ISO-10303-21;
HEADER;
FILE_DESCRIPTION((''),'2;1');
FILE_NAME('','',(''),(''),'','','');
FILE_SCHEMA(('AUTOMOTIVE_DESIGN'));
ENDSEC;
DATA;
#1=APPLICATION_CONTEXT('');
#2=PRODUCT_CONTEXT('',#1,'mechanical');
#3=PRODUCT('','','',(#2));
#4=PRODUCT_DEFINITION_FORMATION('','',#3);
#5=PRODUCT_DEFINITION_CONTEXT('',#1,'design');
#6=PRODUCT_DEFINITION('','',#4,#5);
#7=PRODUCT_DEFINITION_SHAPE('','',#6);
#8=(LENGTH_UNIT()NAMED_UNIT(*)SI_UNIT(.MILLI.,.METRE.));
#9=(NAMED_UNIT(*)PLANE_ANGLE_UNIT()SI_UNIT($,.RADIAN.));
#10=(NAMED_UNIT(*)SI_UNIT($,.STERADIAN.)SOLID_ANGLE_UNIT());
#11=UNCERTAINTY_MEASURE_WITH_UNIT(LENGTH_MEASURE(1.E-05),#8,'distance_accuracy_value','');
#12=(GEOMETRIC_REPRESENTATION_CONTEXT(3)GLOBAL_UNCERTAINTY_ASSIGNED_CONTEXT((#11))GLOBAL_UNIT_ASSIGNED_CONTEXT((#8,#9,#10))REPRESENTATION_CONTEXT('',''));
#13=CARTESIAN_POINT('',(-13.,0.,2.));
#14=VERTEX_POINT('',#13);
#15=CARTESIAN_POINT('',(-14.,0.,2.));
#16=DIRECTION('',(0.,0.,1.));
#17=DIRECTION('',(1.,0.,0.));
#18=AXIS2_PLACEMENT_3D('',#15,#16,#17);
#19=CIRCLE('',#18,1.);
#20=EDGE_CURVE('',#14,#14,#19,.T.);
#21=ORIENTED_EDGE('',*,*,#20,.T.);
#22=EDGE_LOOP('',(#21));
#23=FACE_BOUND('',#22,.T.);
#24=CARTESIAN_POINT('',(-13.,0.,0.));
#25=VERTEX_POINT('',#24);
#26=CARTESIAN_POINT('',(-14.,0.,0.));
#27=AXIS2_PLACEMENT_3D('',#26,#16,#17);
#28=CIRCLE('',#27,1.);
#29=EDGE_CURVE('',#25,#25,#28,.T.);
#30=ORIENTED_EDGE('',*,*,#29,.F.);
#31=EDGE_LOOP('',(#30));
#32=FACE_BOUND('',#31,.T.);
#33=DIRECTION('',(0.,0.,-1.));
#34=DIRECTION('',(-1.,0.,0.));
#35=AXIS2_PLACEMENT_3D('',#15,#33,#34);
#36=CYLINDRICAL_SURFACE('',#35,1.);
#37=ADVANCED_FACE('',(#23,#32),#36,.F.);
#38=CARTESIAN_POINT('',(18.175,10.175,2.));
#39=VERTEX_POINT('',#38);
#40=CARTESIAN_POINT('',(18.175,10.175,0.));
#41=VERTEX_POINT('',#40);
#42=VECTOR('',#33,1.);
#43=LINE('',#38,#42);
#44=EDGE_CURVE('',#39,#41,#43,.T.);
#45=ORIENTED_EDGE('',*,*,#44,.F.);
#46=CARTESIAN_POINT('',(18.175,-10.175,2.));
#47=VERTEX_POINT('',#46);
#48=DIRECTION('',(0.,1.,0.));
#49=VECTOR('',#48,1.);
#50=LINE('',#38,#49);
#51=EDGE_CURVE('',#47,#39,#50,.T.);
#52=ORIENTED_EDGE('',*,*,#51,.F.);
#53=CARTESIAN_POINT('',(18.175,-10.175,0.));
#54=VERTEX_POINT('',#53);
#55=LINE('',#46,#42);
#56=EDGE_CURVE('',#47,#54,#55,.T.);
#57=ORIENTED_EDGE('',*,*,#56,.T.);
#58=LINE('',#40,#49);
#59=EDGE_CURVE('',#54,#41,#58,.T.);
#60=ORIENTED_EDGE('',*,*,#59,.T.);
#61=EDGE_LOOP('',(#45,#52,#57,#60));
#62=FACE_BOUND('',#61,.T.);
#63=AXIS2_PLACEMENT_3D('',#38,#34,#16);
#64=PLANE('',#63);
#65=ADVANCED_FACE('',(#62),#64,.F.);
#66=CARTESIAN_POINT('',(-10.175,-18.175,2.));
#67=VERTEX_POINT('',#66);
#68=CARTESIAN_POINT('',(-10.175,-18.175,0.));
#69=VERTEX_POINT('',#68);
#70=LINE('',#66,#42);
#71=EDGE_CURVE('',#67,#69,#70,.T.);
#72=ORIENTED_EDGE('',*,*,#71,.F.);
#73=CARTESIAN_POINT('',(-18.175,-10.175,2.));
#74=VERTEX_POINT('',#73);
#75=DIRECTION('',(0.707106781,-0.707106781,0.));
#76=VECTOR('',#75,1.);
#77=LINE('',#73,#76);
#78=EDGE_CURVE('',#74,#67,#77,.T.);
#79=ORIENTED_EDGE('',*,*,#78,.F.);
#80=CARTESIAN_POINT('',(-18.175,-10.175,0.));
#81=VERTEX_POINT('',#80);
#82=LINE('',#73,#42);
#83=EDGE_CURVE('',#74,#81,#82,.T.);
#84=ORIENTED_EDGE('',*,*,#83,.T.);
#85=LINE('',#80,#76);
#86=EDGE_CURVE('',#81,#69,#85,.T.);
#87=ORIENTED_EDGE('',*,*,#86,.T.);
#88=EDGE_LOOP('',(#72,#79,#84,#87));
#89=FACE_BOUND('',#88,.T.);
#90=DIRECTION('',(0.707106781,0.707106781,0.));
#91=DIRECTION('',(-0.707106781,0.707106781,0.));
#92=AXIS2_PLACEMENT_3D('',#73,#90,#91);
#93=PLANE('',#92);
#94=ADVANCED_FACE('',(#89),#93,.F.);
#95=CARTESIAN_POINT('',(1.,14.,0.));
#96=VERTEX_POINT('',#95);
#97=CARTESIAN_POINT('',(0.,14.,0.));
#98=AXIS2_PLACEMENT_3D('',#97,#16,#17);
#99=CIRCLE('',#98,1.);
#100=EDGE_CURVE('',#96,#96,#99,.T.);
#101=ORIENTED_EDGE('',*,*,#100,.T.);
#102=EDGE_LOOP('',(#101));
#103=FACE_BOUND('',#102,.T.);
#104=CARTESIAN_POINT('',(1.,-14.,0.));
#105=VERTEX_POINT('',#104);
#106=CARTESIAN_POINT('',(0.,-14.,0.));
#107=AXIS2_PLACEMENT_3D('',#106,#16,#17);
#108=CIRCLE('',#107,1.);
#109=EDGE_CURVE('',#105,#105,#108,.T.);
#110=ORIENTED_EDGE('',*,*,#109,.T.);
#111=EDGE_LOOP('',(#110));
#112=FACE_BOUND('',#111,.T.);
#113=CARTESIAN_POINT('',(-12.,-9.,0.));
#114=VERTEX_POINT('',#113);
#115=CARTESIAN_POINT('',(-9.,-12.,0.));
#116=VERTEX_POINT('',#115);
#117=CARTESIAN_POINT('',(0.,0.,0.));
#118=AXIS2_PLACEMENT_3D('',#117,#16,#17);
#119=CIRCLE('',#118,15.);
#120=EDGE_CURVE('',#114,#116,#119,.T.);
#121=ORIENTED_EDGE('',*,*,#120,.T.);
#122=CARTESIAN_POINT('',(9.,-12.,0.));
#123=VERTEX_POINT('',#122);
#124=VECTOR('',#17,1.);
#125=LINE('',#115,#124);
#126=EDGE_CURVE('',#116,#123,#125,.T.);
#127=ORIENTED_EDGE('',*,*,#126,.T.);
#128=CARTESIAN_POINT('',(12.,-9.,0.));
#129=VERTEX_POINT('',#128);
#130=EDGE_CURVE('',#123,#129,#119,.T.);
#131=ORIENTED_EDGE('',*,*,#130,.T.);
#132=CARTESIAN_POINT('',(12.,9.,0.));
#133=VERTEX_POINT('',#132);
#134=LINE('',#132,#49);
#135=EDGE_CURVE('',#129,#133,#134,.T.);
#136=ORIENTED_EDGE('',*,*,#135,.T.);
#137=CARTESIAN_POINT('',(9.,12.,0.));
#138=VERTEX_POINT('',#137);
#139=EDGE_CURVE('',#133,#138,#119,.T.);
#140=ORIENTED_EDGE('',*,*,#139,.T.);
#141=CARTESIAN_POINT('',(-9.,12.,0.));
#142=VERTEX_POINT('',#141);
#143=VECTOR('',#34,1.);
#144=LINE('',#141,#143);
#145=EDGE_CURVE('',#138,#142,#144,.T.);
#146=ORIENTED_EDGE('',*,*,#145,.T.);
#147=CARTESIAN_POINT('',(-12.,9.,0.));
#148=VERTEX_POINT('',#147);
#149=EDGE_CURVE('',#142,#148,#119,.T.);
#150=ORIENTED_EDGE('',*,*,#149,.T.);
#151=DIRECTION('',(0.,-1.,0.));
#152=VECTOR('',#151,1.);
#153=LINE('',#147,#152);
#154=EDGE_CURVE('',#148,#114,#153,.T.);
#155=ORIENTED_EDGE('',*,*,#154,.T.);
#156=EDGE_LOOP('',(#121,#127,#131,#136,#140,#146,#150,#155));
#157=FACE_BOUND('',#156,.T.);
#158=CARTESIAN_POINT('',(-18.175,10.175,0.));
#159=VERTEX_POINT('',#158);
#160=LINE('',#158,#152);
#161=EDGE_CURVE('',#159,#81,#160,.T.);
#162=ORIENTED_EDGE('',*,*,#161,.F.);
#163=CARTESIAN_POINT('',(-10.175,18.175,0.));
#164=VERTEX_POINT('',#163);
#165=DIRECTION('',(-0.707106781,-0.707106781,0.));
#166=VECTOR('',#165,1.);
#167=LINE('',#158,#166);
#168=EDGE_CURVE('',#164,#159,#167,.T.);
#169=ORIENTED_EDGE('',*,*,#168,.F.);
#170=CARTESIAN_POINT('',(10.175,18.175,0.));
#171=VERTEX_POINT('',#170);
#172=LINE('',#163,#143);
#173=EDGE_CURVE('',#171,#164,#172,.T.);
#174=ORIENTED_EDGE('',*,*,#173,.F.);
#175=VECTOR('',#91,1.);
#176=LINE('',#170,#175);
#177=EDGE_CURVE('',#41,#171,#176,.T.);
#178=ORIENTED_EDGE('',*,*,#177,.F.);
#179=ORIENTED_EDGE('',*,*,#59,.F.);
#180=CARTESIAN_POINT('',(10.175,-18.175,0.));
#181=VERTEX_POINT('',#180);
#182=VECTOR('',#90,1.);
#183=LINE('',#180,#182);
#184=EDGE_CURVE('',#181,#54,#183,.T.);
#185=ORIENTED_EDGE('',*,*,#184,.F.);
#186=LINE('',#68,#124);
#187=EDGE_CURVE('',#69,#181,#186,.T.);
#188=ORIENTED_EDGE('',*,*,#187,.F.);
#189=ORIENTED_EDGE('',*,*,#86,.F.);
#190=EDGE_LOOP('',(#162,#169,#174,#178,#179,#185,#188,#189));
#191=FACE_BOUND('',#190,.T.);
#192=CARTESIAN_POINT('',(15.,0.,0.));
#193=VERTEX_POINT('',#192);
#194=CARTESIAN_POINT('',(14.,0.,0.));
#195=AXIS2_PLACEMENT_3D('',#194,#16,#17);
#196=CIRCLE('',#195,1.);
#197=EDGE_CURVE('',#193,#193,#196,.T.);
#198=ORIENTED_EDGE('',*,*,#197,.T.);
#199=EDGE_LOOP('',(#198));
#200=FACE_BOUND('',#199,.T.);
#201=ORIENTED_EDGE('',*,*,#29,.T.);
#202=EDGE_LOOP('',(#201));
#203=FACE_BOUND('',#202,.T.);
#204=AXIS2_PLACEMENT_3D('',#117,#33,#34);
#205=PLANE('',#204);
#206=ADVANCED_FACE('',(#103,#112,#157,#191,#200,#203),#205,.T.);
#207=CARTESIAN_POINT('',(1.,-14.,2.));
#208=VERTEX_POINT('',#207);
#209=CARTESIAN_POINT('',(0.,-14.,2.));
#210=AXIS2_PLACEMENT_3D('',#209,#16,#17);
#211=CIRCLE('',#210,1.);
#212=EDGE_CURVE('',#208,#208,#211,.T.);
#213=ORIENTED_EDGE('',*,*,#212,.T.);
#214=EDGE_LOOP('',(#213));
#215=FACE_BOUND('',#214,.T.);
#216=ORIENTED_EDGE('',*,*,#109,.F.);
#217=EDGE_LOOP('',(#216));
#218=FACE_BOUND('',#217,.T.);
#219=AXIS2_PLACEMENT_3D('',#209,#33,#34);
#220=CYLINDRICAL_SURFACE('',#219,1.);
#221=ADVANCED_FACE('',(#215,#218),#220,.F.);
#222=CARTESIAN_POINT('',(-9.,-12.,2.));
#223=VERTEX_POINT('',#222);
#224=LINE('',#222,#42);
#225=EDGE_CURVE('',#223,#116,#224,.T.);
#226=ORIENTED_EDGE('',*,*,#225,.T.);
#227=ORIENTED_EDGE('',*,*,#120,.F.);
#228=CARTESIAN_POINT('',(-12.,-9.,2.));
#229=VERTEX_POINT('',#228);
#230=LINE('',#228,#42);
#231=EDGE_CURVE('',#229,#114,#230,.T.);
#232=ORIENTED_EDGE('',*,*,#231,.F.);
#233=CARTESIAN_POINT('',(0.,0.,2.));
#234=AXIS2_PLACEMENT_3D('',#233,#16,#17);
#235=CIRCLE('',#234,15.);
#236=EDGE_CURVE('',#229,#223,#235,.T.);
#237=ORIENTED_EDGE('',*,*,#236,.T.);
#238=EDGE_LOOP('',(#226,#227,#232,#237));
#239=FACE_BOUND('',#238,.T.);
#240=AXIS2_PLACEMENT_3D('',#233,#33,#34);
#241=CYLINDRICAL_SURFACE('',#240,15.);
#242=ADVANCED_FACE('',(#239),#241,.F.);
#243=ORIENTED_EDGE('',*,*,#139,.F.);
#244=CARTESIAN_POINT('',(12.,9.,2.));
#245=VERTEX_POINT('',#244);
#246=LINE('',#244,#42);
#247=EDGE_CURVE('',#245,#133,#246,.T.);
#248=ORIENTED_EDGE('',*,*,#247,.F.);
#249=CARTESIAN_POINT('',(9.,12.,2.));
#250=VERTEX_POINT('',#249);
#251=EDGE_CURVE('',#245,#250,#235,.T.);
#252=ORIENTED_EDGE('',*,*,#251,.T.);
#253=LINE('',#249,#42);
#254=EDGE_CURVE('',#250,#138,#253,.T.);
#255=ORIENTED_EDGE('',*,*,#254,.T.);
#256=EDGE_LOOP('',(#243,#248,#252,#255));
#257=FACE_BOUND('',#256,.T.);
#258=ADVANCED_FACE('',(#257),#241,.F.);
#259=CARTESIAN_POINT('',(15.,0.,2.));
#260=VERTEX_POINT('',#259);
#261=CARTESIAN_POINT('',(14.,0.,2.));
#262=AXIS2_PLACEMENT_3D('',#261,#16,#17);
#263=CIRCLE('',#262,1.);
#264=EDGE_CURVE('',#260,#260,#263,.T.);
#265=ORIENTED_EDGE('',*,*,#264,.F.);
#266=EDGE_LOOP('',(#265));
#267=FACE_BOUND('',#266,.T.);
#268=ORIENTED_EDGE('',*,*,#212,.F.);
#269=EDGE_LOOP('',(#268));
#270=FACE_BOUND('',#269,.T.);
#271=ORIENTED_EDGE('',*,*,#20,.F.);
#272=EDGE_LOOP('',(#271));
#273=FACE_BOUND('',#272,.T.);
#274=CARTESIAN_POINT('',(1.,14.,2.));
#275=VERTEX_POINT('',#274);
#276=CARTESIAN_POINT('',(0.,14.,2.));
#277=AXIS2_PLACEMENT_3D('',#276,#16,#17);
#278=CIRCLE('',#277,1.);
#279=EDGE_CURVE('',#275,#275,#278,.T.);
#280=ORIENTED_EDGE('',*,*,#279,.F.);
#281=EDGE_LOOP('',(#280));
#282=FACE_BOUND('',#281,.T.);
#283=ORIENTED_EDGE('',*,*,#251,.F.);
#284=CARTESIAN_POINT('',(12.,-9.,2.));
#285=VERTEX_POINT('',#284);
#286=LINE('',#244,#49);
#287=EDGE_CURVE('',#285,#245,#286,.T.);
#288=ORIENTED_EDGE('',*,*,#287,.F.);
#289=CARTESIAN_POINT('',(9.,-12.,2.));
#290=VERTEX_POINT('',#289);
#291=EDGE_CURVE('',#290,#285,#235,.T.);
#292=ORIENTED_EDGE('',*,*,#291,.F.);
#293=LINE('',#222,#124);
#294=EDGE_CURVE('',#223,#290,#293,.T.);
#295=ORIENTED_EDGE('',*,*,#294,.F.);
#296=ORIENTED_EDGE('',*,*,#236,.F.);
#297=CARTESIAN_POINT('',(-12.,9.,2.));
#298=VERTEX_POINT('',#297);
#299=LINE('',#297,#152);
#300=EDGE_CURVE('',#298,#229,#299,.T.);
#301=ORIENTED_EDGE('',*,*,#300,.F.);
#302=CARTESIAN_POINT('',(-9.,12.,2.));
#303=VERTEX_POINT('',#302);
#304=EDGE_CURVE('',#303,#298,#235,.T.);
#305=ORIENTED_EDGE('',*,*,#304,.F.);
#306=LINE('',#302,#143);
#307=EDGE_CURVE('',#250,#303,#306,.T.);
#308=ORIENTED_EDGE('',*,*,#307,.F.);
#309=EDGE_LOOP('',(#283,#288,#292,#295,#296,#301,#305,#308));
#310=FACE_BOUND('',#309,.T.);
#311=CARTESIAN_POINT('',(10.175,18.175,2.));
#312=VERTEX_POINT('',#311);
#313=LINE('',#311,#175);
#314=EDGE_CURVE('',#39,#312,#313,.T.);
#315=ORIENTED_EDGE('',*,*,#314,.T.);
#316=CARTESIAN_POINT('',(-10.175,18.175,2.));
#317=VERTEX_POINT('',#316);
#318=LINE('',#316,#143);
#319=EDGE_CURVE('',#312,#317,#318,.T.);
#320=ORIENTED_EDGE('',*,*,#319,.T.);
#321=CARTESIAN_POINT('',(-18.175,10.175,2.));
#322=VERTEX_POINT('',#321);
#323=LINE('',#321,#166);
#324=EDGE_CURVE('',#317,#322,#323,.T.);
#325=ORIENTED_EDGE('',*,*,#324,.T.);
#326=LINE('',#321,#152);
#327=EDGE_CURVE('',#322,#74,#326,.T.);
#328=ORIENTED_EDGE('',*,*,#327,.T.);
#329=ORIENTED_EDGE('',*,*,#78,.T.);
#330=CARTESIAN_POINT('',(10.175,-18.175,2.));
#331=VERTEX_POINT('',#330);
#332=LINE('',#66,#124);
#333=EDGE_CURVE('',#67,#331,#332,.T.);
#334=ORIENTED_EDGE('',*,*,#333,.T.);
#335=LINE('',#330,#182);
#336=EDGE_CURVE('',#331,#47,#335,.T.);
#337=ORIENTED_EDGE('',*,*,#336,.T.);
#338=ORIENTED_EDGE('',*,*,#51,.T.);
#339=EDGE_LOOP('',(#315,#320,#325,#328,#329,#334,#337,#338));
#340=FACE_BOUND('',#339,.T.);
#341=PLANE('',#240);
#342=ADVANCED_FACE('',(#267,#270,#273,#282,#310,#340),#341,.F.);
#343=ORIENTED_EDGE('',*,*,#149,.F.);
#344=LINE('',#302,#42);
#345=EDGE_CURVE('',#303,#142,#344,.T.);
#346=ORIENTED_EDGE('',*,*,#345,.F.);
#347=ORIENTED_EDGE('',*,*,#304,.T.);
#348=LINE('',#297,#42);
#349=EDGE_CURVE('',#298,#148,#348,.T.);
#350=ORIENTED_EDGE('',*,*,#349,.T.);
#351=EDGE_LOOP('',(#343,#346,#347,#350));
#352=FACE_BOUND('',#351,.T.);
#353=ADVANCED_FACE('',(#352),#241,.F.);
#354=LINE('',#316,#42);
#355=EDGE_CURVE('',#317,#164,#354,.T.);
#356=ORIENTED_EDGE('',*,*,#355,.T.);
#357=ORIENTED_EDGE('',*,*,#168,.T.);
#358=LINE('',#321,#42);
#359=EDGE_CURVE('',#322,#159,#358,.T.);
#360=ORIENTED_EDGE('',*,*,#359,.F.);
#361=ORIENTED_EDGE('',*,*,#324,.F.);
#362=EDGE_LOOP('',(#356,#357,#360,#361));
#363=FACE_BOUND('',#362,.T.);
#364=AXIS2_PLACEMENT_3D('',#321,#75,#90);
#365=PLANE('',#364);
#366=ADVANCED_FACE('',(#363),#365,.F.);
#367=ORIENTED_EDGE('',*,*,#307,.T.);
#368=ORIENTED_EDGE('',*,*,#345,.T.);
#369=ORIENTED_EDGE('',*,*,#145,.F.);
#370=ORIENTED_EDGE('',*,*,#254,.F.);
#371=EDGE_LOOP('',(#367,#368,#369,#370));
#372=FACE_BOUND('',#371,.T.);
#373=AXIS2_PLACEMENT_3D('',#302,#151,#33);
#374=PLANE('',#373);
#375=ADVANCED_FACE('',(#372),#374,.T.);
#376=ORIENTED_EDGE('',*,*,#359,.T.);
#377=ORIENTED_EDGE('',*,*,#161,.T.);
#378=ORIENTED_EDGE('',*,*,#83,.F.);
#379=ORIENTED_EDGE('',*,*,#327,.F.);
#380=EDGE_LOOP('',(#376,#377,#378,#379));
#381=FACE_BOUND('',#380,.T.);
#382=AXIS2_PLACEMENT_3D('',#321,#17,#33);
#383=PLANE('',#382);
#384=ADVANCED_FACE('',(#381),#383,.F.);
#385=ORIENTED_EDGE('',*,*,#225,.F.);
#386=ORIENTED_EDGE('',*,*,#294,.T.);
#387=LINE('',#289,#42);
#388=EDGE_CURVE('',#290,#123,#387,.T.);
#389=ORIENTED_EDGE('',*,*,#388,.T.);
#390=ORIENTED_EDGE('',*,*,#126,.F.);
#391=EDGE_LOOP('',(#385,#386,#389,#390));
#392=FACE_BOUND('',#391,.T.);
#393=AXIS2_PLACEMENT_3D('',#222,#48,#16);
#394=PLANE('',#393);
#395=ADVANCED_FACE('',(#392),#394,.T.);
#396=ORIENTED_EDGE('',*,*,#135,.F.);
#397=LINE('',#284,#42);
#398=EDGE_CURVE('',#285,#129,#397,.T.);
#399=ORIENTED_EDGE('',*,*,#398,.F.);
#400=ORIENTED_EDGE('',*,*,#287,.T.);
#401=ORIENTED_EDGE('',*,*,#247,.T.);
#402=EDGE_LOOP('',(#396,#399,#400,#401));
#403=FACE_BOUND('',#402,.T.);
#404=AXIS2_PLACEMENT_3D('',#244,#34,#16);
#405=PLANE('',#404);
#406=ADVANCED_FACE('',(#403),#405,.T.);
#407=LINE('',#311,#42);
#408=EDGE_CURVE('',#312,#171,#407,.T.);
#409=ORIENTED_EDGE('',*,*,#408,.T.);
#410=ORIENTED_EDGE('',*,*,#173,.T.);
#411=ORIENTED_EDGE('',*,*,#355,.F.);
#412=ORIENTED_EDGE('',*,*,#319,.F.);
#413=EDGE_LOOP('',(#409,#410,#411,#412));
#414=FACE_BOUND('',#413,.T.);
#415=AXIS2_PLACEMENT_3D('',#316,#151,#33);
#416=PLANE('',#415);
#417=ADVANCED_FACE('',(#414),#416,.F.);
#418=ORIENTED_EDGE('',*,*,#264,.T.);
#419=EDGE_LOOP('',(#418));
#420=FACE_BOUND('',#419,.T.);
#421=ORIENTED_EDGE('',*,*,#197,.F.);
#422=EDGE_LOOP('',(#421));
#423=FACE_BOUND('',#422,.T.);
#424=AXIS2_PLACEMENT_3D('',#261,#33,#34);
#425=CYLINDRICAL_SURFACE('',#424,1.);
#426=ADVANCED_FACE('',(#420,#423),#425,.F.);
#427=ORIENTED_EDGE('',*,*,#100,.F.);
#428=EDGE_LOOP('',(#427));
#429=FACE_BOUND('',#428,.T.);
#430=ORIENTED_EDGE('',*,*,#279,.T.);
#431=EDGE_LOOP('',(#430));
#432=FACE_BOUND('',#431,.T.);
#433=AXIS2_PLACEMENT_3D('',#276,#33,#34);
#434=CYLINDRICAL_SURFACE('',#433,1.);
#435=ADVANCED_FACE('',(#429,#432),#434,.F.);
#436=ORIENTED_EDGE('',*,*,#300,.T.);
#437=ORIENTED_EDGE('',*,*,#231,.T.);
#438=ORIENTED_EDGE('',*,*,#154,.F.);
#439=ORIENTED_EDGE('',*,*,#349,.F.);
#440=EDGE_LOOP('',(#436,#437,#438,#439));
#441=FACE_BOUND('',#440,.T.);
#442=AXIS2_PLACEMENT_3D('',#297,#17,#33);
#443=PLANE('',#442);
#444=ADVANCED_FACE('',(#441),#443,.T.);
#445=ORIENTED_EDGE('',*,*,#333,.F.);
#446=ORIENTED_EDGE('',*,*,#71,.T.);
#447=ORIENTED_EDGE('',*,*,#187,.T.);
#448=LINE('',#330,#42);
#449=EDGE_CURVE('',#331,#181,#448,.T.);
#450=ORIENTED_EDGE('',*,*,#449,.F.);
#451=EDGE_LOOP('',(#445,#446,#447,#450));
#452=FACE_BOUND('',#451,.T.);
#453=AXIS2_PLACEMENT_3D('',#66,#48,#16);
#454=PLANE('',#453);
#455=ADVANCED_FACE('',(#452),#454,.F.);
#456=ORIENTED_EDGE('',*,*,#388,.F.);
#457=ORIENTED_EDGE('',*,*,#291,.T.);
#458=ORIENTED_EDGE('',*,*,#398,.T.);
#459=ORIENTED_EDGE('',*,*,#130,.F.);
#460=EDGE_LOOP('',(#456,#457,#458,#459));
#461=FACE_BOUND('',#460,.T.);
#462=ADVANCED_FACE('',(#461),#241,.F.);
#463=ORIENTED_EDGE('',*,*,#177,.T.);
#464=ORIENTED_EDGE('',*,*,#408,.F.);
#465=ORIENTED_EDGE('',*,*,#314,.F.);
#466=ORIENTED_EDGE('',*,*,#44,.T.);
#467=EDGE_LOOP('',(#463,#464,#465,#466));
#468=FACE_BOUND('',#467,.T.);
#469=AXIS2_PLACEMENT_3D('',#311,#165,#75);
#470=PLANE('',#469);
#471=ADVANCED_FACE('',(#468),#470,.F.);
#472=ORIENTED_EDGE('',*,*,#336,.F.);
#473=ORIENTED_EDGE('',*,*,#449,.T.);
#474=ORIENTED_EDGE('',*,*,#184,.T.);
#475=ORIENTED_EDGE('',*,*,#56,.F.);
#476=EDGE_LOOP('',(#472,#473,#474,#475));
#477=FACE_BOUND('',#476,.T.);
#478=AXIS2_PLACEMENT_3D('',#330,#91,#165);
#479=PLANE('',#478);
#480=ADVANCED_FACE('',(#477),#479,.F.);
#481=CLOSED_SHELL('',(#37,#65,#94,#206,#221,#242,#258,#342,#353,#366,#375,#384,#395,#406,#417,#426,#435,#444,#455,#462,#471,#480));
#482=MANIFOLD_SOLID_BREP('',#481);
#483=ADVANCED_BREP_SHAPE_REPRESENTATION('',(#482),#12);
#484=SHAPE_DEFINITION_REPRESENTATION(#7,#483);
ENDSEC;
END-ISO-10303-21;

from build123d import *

# Parameters (mm, degrees)
SKETCH_1_R      = 1
EXTRUDE_1_DEPTH = 2


with BuildPart() as part:
    # 草图1 → 凸台-拉伸1 (new body)
    with BuildSketch(Plane.XY):
        Polygon((-18.175, 10.175), (-10.175, 18.175), (10.175, 18.175), (18.175, 10.175), (18.175, -10.175), (10.175, -18.175), (-10.175, -18.175), (-18.175, -10.175), align=None)
        with Locations((0, 14)):
            Circle(SKETCH_1_R, mode=Mode.SUBTRACT)
        with Locations((14, 0)):
            Circle(SKETCH_1_R, mode=Mode.SUBTRACT)
        with Locations((-14, 0)):
            Circle(SKETCH_1_R, mode=Mode.SUBTRACT)
        with Locations((0, -14)):
            Circle(SKETCH_1_R, mode=Mode.SUBTRACT)
        with BuildLine():
            Line((-9, 12), (9, 12))
            ThreePointArc((9, 12), (10.606601718, 10.606601718), (12, 9))
            Line((12, 9), (12, -9))
            ThreePointArc((12, -9), (10.606601718, -10.606601718), (9, -12))
            Line((9, -12), (-9, -12))
            ThreePointArc((-9, -12), (-10.606601718, -10.606601718), (-12, -9))
            Line((-12, -9), (-12, 9))
            ThreePointArc((-12, 9), (-10.606601718, 10.606601718), (-9, 12))
        make_face(mode=Mode.SUBTRACT)
    extrude(amount=EXTRUDE_1_DEPTH)


solid = part.part
